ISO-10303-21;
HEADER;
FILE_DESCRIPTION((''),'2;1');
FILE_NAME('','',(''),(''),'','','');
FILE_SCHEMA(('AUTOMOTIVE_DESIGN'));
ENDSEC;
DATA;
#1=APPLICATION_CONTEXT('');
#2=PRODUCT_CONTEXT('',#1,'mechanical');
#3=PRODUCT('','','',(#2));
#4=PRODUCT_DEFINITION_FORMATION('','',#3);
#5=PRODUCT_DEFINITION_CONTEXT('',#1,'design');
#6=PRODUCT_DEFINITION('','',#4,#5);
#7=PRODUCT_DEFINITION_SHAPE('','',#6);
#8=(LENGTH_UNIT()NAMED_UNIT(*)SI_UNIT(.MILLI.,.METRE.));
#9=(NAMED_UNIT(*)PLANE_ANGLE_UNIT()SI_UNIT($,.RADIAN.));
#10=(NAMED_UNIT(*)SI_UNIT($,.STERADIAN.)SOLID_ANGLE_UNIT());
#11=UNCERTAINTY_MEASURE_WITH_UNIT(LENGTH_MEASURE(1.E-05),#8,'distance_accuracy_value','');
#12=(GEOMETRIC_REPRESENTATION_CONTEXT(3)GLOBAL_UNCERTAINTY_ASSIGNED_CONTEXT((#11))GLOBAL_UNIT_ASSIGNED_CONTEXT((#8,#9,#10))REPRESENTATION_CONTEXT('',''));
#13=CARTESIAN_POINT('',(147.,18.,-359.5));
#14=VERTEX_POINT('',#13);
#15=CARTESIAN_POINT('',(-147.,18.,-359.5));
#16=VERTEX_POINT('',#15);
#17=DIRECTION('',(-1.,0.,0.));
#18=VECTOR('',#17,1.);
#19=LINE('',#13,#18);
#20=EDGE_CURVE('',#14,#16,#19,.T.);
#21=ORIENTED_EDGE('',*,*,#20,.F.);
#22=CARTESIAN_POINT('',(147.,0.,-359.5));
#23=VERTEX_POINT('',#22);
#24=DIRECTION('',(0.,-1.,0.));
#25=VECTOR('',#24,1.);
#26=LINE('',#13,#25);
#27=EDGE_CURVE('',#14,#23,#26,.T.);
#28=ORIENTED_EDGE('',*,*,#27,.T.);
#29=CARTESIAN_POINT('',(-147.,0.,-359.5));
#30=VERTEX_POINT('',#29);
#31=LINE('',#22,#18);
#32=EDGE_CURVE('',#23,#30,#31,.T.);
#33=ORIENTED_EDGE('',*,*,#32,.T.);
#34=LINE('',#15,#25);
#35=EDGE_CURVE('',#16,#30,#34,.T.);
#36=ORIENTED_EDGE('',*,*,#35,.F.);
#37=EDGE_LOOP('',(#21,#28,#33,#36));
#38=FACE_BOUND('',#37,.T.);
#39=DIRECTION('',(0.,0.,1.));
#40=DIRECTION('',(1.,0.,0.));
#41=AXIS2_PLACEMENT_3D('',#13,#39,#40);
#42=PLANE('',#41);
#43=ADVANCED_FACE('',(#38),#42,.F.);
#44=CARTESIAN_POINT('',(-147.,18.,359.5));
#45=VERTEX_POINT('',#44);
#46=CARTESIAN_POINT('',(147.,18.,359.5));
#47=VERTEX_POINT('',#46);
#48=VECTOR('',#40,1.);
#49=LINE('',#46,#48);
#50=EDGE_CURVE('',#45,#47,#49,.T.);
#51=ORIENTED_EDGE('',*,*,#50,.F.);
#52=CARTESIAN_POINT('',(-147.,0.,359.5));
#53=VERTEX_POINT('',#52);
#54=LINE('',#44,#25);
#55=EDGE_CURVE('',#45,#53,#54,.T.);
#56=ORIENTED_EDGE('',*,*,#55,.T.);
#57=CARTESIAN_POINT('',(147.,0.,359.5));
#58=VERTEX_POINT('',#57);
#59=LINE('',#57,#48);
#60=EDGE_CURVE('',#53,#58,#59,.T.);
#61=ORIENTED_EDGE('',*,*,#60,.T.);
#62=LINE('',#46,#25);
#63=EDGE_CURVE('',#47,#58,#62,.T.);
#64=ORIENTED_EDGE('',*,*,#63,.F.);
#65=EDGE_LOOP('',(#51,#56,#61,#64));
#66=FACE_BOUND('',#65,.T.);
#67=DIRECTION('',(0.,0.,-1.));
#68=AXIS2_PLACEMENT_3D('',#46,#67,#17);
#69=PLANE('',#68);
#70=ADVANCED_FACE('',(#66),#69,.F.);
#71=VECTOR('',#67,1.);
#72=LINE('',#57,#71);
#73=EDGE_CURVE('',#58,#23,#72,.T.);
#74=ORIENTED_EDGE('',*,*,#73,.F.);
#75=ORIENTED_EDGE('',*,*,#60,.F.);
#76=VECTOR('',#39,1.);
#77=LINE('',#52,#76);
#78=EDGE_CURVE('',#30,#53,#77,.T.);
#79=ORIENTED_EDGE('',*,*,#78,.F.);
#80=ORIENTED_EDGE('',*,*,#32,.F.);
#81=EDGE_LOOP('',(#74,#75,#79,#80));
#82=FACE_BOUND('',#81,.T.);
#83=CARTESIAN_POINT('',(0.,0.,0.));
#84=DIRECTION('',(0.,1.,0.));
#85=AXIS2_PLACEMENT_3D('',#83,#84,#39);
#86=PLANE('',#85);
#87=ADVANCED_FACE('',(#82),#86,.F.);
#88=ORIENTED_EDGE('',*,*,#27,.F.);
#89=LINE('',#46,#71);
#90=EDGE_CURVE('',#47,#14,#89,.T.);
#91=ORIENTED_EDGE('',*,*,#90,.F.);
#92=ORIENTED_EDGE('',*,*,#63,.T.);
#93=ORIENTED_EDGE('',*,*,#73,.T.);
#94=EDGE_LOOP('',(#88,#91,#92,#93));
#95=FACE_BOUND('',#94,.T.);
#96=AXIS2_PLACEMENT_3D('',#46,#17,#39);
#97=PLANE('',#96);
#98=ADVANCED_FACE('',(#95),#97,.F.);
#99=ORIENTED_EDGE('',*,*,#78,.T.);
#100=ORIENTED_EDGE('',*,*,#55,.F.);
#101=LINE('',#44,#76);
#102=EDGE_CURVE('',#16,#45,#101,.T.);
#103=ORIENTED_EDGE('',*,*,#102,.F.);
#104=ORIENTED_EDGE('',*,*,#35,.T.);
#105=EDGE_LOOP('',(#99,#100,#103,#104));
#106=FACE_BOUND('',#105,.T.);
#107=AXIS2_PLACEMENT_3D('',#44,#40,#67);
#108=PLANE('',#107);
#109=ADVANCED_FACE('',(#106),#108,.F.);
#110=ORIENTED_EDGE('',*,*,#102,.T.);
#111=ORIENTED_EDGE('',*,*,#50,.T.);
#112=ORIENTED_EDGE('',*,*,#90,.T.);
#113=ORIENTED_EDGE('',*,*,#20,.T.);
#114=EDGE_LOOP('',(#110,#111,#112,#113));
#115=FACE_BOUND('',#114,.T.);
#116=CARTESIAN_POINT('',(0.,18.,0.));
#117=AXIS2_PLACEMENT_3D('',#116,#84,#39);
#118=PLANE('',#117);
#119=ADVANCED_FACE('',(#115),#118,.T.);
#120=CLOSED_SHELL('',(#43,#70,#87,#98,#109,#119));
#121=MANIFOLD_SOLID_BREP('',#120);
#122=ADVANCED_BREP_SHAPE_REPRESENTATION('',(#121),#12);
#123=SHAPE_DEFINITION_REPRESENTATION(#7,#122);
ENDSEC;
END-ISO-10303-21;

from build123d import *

# Parameters (mm, degrees)
SKETCH_1_W      = 294
SKETCH_1_H      = 719
EXTRUDE_1_DEPTH = 18


with BuildPart() as part:
    # Эскиз1 → Бобышка-Вытянуть1 (new body)
    with BuildSketch(Plane(origin=(0, 0, 0), x_dir=(1, 0, 0), z_dir=(0, 1, 0))):
        Rectangle(SKETCH_1_W, SKETCH_1_H)
    extrude(amount=EXTRUDE_1_DEPTH)


solid = part.part
